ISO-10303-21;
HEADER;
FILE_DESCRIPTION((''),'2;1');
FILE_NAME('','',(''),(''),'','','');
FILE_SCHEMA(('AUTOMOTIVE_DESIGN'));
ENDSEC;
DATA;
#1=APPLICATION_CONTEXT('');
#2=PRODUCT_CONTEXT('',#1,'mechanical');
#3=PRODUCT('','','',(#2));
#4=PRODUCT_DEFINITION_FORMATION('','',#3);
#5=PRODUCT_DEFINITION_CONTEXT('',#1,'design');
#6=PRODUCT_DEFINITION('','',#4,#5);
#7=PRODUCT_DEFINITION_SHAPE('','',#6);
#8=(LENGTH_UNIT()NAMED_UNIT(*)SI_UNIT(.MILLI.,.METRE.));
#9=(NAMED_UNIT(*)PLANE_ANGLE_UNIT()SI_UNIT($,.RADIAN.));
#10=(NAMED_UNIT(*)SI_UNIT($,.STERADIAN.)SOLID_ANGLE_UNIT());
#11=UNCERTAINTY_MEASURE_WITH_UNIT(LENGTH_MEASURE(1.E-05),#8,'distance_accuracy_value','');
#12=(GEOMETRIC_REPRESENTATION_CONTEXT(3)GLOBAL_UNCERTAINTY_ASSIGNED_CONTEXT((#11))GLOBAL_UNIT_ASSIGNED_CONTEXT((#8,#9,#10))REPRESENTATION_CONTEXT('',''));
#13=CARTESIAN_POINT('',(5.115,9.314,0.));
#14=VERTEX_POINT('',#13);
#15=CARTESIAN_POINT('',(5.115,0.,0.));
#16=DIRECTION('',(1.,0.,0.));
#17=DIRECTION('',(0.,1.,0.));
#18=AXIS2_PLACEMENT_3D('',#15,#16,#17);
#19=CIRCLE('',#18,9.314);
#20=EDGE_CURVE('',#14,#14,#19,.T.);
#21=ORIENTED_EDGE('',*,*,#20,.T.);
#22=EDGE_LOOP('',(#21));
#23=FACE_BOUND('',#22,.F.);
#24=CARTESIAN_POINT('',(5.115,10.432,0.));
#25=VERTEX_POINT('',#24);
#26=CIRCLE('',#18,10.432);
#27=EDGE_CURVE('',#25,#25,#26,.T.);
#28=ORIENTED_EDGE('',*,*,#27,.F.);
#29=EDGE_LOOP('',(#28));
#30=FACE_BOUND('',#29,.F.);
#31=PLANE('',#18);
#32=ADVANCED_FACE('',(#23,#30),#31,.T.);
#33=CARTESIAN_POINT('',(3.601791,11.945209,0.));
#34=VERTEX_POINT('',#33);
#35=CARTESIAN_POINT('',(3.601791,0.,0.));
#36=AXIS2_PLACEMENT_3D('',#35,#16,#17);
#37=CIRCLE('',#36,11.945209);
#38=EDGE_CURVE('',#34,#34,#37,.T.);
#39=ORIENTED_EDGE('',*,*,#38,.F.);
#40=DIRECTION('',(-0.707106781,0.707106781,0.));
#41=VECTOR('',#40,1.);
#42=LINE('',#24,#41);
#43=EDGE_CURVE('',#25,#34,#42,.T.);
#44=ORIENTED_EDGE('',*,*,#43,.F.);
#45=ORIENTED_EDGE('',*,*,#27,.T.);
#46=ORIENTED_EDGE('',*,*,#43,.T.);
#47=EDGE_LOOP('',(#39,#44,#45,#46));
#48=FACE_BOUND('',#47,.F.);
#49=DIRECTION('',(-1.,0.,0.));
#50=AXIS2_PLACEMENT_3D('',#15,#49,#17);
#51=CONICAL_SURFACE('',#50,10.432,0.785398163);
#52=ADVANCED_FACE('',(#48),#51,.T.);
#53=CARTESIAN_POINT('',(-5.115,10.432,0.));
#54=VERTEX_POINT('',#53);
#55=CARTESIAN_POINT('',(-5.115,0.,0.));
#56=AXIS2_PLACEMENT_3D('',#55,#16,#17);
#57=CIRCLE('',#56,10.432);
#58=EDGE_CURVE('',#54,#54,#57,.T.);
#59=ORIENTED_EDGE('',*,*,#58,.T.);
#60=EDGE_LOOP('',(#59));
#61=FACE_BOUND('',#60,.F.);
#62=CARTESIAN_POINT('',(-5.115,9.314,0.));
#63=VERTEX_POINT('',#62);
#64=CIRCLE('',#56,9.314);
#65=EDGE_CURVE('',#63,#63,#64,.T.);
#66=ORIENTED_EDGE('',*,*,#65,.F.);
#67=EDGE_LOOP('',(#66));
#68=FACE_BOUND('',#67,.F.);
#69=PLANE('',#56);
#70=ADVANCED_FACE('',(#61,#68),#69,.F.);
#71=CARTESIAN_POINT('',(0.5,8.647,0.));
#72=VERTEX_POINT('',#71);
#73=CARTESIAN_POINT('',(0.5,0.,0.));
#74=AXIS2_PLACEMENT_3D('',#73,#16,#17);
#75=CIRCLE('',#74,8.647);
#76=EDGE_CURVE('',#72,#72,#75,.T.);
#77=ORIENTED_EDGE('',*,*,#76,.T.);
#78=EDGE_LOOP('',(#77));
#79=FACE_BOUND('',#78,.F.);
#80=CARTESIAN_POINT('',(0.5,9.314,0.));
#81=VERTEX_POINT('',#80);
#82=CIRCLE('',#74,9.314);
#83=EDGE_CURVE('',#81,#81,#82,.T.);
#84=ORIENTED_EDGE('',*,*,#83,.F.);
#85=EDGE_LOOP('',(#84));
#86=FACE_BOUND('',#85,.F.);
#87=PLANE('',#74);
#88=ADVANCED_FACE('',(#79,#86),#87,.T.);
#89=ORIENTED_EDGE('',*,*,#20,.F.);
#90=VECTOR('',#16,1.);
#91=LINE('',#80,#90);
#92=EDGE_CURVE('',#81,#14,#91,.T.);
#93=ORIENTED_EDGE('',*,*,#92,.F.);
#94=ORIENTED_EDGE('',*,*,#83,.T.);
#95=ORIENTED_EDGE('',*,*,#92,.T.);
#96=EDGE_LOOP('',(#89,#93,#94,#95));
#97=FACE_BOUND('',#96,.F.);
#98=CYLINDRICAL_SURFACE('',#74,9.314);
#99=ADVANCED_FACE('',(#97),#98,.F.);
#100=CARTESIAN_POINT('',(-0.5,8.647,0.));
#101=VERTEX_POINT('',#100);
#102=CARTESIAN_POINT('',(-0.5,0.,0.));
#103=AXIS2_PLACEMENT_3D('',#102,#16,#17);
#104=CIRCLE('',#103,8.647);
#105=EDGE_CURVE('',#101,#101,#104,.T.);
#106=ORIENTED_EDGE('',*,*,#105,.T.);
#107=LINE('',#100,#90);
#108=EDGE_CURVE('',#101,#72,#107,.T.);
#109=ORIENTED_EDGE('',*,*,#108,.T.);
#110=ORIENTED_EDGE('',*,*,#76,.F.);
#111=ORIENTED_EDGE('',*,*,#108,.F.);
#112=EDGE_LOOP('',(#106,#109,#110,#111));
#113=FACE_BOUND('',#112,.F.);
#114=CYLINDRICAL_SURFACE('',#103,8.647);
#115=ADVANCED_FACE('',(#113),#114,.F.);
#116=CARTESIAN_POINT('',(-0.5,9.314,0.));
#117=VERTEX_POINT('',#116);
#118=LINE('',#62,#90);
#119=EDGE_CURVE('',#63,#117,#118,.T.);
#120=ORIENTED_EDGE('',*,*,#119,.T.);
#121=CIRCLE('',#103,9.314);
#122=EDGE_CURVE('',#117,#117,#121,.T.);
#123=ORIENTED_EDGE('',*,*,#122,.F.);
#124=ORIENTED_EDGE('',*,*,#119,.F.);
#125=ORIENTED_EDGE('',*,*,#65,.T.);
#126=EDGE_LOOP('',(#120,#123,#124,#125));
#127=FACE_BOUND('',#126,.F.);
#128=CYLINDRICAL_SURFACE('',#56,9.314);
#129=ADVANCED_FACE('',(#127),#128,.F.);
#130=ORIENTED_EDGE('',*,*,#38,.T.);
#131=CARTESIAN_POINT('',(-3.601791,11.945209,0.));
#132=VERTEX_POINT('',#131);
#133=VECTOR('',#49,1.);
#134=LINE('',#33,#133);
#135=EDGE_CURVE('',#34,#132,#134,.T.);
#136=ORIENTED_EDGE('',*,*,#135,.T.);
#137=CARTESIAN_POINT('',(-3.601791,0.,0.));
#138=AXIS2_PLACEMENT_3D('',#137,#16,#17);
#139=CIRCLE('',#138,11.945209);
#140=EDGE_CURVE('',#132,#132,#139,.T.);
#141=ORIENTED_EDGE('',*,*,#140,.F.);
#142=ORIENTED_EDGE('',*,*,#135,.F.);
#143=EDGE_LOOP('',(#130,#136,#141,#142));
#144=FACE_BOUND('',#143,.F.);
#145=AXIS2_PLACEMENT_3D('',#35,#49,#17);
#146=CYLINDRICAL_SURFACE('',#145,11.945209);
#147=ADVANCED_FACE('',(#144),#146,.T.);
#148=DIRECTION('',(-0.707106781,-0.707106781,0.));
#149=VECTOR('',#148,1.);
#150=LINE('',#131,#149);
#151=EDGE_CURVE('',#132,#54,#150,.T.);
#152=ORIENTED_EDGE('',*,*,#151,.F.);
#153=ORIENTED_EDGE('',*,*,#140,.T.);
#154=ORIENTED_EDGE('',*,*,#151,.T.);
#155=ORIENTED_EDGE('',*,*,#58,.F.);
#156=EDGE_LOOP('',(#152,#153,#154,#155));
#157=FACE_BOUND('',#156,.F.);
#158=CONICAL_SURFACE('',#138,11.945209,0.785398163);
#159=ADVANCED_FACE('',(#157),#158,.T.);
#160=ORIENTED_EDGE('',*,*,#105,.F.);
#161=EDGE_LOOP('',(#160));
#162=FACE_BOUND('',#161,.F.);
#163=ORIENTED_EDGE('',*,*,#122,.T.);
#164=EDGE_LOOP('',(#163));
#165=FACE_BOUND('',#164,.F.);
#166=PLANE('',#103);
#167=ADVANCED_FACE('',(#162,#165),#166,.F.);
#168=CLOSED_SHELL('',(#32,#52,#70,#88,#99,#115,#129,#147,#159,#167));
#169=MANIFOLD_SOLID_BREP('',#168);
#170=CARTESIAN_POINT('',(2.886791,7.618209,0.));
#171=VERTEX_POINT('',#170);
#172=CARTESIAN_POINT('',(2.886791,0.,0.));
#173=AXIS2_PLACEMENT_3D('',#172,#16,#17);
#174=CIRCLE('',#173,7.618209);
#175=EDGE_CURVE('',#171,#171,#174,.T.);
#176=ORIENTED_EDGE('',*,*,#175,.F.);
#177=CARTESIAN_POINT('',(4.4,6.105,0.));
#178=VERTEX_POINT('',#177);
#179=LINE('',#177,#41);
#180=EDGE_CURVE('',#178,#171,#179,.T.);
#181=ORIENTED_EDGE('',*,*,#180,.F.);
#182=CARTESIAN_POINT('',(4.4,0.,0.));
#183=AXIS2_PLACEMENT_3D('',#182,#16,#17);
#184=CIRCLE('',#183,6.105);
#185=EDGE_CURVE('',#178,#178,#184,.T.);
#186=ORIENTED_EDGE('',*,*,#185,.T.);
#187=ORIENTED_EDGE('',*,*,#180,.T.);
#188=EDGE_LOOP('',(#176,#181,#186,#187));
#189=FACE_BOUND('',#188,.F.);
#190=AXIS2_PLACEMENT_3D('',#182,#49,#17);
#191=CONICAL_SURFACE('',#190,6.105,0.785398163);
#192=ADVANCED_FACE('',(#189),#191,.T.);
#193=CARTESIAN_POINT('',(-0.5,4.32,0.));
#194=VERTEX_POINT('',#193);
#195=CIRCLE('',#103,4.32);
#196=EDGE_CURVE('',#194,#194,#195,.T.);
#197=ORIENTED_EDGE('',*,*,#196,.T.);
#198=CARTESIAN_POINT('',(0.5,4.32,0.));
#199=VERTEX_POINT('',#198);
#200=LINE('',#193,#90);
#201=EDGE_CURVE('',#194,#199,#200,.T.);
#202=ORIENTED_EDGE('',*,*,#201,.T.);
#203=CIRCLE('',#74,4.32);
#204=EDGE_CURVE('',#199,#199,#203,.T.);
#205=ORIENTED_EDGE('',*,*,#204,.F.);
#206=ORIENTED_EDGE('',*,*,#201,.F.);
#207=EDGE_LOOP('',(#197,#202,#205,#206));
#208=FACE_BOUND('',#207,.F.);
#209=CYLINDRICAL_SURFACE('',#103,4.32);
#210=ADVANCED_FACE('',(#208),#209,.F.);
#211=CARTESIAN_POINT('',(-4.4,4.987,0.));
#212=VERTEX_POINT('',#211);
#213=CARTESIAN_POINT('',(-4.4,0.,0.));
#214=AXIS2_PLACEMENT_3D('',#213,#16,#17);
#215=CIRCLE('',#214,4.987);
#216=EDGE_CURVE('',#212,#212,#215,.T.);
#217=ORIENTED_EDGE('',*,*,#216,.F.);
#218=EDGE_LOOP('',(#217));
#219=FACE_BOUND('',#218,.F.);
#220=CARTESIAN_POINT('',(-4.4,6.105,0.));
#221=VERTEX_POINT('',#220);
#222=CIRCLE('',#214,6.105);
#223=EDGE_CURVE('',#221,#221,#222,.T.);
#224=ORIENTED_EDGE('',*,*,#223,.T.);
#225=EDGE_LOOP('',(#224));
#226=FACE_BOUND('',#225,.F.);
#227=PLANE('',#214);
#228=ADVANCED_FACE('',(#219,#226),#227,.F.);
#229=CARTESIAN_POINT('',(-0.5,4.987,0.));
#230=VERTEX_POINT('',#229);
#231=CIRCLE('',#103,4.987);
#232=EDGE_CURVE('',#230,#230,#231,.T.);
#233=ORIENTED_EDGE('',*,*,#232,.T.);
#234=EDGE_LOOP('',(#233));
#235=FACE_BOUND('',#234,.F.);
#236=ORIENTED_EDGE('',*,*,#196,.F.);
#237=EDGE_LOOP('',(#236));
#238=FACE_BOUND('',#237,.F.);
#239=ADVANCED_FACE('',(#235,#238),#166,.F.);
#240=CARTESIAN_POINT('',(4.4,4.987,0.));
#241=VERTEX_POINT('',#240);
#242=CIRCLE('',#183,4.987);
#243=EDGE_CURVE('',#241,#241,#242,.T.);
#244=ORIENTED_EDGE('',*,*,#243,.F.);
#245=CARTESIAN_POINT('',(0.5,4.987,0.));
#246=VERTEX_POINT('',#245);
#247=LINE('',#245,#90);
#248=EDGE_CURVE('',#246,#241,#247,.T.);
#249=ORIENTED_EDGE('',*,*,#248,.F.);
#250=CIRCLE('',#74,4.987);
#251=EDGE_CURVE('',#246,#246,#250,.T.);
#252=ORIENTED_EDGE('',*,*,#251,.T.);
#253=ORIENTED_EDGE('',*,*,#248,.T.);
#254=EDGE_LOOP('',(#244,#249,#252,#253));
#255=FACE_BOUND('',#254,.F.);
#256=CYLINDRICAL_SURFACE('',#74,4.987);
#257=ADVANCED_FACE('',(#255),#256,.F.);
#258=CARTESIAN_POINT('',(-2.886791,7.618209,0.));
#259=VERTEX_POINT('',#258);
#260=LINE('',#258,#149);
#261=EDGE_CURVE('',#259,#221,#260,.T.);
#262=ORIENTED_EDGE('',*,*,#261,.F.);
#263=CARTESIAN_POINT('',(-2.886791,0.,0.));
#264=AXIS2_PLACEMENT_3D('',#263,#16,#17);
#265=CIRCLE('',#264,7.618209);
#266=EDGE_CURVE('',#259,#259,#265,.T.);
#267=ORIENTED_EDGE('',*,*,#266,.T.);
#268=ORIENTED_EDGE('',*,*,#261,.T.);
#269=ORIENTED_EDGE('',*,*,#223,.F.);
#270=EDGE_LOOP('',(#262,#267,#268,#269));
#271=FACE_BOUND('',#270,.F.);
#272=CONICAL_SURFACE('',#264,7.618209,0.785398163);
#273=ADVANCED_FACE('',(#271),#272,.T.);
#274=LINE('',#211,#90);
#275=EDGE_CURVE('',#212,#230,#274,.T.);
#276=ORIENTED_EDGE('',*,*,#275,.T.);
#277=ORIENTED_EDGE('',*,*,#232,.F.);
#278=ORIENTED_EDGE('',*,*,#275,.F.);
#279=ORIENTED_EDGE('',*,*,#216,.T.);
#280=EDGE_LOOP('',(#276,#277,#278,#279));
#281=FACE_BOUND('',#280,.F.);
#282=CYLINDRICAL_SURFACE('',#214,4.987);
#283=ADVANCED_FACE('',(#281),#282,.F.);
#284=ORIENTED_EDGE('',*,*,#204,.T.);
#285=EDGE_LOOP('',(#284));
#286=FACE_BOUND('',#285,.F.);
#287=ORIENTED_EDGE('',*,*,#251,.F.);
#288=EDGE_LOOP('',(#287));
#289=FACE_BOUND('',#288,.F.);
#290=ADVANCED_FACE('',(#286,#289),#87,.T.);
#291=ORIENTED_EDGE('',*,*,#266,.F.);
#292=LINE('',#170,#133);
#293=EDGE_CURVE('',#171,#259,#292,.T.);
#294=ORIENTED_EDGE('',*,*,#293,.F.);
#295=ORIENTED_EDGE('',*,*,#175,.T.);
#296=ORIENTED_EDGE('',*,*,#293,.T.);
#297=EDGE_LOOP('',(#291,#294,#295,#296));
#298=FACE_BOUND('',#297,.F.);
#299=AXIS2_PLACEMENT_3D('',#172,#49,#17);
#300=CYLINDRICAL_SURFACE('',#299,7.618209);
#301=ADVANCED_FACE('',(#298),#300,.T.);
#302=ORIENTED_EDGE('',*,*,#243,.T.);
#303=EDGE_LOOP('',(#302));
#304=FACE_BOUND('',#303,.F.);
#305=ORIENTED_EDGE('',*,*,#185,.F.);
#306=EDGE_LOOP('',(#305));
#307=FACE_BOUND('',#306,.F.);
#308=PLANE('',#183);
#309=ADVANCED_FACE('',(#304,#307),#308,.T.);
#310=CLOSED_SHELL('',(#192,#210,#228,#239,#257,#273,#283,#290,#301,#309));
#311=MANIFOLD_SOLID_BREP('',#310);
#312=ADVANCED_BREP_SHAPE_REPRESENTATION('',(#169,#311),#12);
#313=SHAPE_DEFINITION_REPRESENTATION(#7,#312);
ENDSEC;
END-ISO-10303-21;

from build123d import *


with BuildPart() as f2:
    # F0 (on Top) → F2 (revolve)
    with BuildSketch(Plane.XY):
        Polygon((-0.5, 4.32), (0, 4.32), (0.5, 4.32), (0.5, 4.987), (4.4, 4.987), (4.4, 6.105), (2.886791, 7.618209), (0, 7.618209), (-2.886791, 7.618209), (-4.4, 6.105), (-4.4, 4.987), (-0.5, 4.987), align=None)
    revolve(axis=Axis((2.287702, 0, 0), (1, 0, 0)))


with BuildPart() as f3:
    # F1 (on Top) → F3 (revolve)
    with BuildSketch(Plane.XY):
        Polygon((-0.5, 8.647), (0, 8.647), (0.5, 8.647), (0.5, 9.314), (5.115, 9.314), (5.115, 10.432), (3.601791, 11.945209), (0, 11.945209), (-3.601791, 11.945209), (-5.115, 10.432), (-5.115, 9.314), (-0.5, 9.314), align=None)
    revolve(axis=Axis((2.211445, 0, 0), (1, 0, 0)))


solid = Compound([f2.part, f3.part])
